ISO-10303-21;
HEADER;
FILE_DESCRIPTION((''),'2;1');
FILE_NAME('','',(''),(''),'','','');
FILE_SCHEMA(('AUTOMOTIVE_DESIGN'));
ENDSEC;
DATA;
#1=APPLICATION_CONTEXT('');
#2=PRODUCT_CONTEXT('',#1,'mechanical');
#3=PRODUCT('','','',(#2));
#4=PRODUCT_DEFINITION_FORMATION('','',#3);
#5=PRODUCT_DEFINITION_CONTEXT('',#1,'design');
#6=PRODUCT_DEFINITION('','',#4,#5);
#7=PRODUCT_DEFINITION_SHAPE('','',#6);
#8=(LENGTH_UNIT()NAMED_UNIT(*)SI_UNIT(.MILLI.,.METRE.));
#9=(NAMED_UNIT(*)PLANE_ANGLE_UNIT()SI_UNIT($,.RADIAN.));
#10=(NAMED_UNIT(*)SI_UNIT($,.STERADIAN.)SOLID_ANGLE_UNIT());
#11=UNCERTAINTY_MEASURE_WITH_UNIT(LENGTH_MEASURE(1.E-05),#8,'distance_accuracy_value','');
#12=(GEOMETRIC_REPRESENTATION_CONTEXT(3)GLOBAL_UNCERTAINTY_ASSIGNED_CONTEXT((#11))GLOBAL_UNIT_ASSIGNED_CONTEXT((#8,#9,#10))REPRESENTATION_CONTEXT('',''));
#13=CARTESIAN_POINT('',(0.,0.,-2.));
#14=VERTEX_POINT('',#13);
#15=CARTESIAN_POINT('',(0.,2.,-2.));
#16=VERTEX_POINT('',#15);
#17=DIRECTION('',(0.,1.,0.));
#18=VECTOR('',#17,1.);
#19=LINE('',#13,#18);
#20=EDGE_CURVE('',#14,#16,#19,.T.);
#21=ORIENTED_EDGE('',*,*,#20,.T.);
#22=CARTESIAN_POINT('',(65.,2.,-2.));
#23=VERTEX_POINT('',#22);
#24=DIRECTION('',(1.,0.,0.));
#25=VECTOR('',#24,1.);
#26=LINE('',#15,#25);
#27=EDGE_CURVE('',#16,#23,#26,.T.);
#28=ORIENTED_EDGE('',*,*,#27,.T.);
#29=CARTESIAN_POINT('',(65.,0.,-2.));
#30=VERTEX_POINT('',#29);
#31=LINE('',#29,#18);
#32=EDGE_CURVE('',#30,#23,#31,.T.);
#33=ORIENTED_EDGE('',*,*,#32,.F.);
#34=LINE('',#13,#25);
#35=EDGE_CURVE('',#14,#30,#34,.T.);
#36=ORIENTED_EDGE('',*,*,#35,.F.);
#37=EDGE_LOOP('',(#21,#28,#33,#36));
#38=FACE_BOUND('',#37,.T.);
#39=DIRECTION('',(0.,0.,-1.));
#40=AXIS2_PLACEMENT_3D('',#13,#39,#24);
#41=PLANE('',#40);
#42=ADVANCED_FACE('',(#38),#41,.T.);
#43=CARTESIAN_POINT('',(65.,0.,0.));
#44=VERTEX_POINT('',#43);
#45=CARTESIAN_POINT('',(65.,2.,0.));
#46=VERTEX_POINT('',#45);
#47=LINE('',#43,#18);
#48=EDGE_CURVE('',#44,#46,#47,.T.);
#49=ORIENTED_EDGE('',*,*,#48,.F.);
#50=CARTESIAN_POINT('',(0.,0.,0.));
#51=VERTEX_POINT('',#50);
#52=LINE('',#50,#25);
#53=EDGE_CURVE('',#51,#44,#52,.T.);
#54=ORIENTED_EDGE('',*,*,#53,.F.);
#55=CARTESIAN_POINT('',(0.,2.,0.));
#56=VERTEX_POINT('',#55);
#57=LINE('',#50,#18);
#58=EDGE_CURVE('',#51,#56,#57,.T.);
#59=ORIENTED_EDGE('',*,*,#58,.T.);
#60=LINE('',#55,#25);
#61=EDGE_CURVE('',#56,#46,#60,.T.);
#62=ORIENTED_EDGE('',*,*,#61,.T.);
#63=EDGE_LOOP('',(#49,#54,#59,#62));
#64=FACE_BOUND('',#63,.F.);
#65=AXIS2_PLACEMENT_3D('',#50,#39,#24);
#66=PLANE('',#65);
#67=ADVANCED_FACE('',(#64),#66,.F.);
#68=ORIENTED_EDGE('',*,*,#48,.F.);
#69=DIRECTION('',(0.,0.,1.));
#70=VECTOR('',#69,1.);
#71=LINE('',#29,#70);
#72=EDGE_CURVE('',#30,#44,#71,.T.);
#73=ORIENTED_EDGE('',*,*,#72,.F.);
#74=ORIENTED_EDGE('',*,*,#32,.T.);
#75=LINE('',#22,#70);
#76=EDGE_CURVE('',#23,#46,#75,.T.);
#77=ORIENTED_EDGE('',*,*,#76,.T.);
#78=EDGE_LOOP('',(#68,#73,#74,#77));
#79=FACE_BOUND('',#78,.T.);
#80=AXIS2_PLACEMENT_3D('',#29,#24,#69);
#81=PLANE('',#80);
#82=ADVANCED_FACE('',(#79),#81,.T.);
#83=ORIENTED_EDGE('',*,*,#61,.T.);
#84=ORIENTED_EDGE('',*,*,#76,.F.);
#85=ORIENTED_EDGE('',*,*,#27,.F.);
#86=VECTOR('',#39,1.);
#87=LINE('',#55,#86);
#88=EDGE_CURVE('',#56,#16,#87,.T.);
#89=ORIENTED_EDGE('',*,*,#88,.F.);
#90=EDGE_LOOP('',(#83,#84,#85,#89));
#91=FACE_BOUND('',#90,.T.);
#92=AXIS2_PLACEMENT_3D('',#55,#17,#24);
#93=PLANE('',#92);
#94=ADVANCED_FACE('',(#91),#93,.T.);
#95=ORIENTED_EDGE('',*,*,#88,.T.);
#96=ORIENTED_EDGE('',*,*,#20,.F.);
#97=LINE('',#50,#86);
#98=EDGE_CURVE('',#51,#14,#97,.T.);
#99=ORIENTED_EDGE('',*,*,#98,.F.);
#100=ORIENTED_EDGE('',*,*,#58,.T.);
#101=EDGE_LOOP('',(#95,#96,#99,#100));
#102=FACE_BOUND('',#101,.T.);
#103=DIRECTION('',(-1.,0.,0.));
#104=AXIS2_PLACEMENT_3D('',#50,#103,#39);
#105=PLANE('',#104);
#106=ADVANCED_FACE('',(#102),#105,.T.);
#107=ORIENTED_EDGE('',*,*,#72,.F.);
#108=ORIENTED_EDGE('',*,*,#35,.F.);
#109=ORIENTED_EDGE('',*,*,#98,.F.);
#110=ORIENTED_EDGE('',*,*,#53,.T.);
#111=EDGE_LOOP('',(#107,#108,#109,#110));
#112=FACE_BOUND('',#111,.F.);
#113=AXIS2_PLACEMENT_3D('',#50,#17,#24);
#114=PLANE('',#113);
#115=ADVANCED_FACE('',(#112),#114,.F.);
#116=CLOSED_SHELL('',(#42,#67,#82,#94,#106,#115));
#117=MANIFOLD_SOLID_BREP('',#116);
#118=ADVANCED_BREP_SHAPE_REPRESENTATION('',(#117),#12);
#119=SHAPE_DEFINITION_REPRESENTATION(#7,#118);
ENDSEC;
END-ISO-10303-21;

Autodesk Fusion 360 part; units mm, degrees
sketch "Sketch1" plane through (0, 0, 0) normal (0, 1, 0) x (1, 0, 0)
  line L0 (0, 0) -> (65, 0)
  line L1 (0, 0) -> (0, 2)
  line L2 (0, 2) -> (65, 2)
  line L3 (65, 2) -> (65, 0)
  dimension "d1" = 65
  dimension "d2" = 2
extrude "Extrude1" add sketch "Sketch1" along normal blind 2
